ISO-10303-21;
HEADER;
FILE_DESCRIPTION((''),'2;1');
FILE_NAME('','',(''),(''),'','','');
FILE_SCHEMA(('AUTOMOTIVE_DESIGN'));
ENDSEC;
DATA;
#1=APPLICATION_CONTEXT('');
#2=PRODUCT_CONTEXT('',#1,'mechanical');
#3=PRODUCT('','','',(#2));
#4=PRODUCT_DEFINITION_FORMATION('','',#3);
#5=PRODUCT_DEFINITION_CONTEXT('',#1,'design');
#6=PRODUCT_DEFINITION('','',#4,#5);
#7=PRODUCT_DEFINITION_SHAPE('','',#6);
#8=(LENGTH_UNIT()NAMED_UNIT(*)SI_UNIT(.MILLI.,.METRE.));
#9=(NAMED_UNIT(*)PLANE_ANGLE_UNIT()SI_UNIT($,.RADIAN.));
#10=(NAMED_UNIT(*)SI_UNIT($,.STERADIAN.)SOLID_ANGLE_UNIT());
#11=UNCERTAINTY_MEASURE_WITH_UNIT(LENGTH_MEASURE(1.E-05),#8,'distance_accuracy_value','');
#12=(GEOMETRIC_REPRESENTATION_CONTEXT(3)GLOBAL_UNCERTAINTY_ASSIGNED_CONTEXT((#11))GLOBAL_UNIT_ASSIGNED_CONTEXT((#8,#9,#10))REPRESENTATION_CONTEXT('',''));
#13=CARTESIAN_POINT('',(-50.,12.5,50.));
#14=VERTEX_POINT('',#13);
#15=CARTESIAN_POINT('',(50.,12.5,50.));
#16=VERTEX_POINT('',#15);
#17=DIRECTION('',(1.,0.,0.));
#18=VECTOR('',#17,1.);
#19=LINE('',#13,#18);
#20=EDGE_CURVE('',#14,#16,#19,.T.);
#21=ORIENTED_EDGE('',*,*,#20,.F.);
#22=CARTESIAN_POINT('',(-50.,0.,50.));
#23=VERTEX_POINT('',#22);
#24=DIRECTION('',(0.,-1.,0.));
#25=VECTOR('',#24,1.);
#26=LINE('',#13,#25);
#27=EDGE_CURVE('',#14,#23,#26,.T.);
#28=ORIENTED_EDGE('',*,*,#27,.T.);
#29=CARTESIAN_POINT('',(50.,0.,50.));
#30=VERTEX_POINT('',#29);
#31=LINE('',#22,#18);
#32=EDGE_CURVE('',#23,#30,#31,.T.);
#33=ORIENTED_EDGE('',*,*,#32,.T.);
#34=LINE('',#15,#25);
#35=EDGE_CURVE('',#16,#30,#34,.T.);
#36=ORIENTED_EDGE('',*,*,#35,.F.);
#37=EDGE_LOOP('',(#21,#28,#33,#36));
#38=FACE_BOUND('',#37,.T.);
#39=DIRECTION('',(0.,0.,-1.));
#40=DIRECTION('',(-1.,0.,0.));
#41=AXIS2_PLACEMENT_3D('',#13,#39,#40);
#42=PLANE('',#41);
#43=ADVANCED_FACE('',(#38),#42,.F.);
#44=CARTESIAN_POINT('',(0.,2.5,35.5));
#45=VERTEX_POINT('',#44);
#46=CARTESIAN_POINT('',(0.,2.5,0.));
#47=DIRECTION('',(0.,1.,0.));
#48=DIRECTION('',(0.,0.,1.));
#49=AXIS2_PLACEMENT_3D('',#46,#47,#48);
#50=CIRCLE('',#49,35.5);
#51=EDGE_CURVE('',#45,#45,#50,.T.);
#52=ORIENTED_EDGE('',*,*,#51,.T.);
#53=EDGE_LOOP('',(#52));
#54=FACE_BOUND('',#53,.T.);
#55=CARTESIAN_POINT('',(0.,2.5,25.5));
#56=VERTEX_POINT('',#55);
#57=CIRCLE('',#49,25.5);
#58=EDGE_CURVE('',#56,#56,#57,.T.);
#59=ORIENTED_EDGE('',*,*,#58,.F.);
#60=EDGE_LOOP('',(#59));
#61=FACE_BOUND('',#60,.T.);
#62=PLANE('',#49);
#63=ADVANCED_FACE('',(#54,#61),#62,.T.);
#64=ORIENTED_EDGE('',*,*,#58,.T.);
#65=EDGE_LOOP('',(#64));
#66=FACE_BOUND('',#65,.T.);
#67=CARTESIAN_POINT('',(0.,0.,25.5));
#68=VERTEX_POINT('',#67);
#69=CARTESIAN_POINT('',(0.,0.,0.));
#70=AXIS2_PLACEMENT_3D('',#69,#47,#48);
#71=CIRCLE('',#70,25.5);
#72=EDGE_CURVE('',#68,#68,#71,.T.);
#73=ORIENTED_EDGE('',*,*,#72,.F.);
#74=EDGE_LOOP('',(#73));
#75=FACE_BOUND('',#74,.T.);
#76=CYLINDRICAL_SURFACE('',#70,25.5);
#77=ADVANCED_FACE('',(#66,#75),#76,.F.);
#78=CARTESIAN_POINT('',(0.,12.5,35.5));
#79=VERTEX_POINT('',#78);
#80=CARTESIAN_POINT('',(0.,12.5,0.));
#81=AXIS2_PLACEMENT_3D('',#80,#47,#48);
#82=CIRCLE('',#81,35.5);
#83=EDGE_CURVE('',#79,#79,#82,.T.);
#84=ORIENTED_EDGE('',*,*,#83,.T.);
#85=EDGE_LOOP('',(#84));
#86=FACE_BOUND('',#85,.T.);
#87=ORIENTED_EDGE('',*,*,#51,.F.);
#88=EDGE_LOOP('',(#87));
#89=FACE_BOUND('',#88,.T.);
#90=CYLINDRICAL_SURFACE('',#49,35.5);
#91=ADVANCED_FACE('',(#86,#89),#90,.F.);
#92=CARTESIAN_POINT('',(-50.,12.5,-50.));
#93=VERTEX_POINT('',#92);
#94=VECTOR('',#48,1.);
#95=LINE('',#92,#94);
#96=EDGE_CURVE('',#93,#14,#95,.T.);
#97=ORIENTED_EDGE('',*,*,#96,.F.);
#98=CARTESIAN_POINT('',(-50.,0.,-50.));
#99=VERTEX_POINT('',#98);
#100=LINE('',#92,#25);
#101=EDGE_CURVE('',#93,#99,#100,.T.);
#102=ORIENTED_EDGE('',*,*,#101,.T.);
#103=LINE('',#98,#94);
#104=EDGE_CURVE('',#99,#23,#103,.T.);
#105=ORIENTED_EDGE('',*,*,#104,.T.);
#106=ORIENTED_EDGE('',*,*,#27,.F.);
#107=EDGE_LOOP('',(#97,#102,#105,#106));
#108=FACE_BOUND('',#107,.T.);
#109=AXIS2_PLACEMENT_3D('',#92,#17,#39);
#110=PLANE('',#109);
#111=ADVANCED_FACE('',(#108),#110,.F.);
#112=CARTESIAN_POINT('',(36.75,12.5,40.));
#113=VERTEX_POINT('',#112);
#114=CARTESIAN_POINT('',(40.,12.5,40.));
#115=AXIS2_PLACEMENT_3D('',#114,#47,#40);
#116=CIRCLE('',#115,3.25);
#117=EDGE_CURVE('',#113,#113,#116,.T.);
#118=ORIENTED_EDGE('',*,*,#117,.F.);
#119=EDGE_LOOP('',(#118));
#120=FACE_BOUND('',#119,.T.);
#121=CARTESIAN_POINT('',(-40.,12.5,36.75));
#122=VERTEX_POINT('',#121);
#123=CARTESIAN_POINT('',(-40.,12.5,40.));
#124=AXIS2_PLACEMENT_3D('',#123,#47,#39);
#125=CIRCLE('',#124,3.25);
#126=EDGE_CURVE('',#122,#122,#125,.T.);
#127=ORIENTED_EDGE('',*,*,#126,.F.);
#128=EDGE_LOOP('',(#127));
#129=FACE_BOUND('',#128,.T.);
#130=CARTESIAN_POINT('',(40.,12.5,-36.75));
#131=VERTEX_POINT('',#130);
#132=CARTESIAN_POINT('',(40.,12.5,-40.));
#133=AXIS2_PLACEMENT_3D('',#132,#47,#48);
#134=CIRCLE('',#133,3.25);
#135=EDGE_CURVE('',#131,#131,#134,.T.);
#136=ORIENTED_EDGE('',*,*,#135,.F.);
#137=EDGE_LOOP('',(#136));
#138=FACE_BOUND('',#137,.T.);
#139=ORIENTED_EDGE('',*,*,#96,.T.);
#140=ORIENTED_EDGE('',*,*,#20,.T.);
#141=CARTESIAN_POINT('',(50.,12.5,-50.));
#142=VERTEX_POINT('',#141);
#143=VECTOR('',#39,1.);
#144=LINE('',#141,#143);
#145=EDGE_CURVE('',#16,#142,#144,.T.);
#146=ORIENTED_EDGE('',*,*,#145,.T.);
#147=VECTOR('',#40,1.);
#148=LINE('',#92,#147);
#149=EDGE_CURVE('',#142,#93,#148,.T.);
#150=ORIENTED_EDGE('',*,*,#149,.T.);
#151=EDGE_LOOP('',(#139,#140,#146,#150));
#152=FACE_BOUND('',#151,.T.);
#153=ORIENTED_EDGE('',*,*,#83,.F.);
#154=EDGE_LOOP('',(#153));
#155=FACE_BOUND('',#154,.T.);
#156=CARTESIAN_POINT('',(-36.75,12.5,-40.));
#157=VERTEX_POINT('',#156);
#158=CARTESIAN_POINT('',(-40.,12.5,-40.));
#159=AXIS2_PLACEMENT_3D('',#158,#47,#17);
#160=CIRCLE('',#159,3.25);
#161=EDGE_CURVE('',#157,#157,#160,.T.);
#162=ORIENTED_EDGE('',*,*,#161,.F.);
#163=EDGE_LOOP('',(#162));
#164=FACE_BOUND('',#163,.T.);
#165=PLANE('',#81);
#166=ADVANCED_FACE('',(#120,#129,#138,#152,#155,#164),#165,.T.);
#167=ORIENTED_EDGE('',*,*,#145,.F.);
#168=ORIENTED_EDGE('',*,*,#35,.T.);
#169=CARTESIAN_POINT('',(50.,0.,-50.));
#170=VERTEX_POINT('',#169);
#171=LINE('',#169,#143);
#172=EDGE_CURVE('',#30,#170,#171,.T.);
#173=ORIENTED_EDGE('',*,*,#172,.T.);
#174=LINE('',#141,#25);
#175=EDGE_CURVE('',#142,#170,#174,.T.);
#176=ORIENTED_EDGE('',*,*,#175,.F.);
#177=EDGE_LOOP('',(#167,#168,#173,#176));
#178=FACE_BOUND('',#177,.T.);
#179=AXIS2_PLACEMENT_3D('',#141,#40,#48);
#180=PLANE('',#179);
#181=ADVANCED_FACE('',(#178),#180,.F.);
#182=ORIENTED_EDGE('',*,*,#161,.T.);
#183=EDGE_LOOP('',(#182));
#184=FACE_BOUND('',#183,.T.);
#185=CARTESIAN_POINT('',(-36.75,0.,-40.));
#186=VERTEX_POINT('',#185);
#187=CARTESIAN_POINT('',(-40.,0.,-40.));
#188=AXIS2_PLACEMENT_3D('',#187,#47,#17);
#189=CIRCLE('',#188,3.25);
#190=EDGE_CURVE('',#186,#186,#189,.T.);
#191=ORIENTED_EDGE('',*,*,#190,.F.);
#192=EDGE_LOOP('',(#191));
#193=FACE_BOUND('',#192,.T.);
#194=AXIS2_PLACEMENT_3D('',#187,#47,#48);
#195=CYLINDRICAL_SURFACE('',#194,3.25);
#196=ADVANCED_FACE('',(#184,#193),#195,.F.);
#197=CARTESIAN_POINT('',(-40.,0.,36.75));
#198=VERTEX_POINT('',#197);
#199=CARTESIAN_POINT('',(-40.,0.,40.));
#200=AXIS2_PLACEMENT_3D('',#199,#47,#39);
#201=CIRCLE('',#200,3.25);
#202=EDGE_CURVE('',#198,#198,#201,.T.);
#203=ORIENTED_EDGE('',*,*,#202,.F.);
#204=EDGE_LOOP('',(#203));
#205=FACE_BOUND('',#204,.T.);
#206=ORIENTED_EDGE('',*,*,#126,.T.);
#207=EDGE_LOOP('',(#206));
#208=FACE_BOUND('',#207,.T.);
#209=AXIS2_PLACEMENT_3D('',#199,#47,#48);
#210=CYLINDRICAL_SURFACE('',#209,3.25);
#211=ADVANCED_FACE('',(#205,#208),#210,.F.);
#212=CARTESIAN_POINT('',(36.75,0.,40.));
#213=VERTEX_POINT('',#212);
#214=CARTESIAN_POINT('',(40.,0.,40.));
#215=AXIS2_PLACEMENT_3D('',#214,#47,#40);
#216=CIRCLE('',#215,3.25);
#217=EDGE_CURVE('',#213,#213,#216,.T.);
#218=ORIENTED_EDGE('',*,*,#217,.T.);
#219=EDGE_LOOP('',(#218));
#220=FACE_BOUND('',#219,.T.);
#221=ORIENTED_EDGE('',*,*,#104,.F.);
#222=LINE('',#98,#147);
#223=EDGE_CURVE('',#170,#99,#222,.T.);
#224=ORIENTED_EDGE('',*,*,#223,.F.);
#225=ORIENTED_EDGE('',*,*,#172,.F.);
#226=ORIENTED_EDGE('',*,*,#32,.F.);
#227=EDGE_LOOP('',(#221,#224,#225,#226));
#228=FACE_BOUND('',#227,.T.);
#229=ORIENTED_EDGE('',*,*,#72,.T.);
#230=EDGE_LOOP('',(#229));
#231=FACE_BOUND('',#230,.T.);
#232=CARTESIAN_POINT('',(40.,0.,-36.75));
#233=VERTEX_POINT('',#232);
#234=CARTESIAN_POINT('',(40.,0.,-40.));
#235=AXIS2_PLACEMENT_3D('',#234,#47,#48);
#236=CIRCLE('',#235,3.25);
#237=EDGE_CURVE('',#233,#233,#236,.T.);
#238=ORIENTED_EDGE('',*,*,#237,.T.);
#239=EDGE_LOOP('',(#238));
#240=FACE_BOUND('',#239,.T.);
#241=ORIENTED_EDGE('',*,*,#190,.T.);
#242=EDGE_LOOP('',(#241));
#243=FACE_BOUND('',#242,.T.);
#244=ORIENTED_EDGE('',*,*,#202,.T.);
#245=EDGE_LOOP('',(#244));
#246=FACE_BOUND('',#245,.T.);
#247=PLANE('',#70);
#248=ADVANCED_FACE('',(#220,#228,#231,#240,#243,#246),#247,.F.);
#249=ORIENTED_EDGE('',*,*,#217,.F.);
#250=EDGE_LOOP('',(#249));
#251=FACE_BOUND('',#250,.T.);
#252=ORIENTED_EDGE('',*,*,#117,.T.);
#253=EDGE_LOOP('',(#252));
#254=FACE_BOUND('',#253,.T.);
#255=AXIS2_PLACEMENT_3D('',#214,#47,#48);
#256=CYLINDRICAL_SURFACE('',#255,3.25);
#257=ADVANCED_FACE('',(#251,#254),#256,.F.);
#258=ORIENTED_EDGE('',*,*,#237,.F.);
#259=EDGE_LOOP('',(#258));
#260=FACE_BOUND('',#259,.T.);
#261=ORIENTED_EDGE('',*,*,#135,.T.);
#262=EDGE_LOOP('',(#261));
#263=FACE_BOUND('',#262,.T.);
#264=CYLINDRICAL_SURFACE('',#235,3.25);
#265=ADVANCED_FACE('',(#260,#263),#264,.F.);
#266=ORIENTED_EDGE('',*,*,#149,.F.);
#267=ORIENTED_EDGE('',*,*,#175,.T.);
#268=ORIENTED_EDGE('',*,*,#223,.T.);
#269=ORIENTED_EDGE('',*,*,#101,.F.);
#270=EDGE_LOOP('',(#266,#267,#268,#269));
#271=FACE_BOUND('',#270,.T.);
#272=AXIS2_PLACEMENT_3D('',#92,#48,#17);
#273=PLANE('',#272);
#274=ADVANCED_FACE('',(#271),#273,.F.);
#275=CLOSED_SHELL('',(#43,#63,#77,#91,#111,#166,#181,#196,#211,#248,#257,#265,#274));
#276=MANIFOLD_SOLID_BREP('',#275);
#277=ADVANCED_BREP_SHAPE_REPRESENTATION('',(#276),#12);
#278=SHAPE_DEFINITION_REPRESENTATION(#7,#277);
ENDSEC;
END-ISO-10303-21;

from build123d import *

# Parameters (mm, degrees)
CROQUIS1_W              = 100
CROQUIS1_H              = 100
SALIENTE_EXTRUIR1_DEPTH = 12.5
CROQUIS2_R              = 35.5
CORTAR_EXTRUIR1_DEPTH   = 10
CROQUIS3_R              = 25.5
CORTAR_EXTRUIR2_DEPTH   = 72.414284285
CORTAR_EXTRUIR3_DEPTH   = 72.807033082
MATRIZC1_COUNT          = 4


with BuildPart() as part:
    # Croquis1 → Saliente-Extruir1 (new body)
    with BuildSketch(Plane(origin=(0, 0, 0), x_dir=(1, 0, 0), z_dir=(0, 1, 0))):
        Rectangle(CROQUIS1_W, CROQUIS1_H)
    extrude(amount=SALIENTE_EXTRUIR1_DEPTH)

    # Croquis2 → Cortar-Extruir1 (cut)
    with BuildSketch(Plane(origin=(0, 12.5, 0), x_dir=(1, 0, 0), z_dir=(0, 1, 0))):
        with Locations(Location((0, 0, 0), (0, 0, 270))):
            Circle(CROQUIS2_R)
    extrude(amount=-CORTAR_EXTRUIR1_DEPTH, mode=Mode.SUBTRACT)

    # Croquis3 → Cortar-Extruir2 (cut, through all)
    with BuildSketch(Plane(origin=(0, 2.5, 0), x_dir=(1, 0, 0), z_dir=(0, 1, 0))):
        with Locations(Location((0, 0, 0), (0, 0, 270))):
            Circle(CROQUIS3_R)
    extrude(amount=-CORTAR_EXTRUIR2_DEPTH, mode=Mode.SUBTRACT)

    # Croquis4 → Cortar-Extruir3 (cut, through all)
    with BuildSketch(Plane(origin=(0, 12.5, 0), x_dir=(1, 0, 0), z_dir=(0, 1, 0))):
        with BuildLine():
            ThreePointArc((36.75, 40), (37.701902961, 37.701902961), (40, 36.75))
            Line((40, 36.75), (40, 40))
            Line((40, 40), (36.75, 40))
        make_face()
        with BuildLine():
            Line((40, 40), (40, 36.75))
            ThreePointArc((40, 36.75), (42.298097039, 37.701902961), (43.25, 40))
            ThreePointArc((43.25, 40), (40, 43.25), (36.75, 40))
            Line((36.75, 40), (40, 40))
        make_face()
    cortar_extruir3 = extrude(amount=-CORTAR_EXTRUIR3_DEPTH, mode=Mode.SUBTRACT)

    # MatrizC1: Cortar-Extruir3 ×4 about axis
    matrizc1_axis = Axis((0, 0, 0), (0, 1, 0))
    for i in range(1, MATRIZC1_COUNT):
        add(cortar_extruir3.rotate(matrizc1_axis, i * 360 / MATRIZC1_COUNT), mode=Mode.SUBTRACT)


solid = part.part
